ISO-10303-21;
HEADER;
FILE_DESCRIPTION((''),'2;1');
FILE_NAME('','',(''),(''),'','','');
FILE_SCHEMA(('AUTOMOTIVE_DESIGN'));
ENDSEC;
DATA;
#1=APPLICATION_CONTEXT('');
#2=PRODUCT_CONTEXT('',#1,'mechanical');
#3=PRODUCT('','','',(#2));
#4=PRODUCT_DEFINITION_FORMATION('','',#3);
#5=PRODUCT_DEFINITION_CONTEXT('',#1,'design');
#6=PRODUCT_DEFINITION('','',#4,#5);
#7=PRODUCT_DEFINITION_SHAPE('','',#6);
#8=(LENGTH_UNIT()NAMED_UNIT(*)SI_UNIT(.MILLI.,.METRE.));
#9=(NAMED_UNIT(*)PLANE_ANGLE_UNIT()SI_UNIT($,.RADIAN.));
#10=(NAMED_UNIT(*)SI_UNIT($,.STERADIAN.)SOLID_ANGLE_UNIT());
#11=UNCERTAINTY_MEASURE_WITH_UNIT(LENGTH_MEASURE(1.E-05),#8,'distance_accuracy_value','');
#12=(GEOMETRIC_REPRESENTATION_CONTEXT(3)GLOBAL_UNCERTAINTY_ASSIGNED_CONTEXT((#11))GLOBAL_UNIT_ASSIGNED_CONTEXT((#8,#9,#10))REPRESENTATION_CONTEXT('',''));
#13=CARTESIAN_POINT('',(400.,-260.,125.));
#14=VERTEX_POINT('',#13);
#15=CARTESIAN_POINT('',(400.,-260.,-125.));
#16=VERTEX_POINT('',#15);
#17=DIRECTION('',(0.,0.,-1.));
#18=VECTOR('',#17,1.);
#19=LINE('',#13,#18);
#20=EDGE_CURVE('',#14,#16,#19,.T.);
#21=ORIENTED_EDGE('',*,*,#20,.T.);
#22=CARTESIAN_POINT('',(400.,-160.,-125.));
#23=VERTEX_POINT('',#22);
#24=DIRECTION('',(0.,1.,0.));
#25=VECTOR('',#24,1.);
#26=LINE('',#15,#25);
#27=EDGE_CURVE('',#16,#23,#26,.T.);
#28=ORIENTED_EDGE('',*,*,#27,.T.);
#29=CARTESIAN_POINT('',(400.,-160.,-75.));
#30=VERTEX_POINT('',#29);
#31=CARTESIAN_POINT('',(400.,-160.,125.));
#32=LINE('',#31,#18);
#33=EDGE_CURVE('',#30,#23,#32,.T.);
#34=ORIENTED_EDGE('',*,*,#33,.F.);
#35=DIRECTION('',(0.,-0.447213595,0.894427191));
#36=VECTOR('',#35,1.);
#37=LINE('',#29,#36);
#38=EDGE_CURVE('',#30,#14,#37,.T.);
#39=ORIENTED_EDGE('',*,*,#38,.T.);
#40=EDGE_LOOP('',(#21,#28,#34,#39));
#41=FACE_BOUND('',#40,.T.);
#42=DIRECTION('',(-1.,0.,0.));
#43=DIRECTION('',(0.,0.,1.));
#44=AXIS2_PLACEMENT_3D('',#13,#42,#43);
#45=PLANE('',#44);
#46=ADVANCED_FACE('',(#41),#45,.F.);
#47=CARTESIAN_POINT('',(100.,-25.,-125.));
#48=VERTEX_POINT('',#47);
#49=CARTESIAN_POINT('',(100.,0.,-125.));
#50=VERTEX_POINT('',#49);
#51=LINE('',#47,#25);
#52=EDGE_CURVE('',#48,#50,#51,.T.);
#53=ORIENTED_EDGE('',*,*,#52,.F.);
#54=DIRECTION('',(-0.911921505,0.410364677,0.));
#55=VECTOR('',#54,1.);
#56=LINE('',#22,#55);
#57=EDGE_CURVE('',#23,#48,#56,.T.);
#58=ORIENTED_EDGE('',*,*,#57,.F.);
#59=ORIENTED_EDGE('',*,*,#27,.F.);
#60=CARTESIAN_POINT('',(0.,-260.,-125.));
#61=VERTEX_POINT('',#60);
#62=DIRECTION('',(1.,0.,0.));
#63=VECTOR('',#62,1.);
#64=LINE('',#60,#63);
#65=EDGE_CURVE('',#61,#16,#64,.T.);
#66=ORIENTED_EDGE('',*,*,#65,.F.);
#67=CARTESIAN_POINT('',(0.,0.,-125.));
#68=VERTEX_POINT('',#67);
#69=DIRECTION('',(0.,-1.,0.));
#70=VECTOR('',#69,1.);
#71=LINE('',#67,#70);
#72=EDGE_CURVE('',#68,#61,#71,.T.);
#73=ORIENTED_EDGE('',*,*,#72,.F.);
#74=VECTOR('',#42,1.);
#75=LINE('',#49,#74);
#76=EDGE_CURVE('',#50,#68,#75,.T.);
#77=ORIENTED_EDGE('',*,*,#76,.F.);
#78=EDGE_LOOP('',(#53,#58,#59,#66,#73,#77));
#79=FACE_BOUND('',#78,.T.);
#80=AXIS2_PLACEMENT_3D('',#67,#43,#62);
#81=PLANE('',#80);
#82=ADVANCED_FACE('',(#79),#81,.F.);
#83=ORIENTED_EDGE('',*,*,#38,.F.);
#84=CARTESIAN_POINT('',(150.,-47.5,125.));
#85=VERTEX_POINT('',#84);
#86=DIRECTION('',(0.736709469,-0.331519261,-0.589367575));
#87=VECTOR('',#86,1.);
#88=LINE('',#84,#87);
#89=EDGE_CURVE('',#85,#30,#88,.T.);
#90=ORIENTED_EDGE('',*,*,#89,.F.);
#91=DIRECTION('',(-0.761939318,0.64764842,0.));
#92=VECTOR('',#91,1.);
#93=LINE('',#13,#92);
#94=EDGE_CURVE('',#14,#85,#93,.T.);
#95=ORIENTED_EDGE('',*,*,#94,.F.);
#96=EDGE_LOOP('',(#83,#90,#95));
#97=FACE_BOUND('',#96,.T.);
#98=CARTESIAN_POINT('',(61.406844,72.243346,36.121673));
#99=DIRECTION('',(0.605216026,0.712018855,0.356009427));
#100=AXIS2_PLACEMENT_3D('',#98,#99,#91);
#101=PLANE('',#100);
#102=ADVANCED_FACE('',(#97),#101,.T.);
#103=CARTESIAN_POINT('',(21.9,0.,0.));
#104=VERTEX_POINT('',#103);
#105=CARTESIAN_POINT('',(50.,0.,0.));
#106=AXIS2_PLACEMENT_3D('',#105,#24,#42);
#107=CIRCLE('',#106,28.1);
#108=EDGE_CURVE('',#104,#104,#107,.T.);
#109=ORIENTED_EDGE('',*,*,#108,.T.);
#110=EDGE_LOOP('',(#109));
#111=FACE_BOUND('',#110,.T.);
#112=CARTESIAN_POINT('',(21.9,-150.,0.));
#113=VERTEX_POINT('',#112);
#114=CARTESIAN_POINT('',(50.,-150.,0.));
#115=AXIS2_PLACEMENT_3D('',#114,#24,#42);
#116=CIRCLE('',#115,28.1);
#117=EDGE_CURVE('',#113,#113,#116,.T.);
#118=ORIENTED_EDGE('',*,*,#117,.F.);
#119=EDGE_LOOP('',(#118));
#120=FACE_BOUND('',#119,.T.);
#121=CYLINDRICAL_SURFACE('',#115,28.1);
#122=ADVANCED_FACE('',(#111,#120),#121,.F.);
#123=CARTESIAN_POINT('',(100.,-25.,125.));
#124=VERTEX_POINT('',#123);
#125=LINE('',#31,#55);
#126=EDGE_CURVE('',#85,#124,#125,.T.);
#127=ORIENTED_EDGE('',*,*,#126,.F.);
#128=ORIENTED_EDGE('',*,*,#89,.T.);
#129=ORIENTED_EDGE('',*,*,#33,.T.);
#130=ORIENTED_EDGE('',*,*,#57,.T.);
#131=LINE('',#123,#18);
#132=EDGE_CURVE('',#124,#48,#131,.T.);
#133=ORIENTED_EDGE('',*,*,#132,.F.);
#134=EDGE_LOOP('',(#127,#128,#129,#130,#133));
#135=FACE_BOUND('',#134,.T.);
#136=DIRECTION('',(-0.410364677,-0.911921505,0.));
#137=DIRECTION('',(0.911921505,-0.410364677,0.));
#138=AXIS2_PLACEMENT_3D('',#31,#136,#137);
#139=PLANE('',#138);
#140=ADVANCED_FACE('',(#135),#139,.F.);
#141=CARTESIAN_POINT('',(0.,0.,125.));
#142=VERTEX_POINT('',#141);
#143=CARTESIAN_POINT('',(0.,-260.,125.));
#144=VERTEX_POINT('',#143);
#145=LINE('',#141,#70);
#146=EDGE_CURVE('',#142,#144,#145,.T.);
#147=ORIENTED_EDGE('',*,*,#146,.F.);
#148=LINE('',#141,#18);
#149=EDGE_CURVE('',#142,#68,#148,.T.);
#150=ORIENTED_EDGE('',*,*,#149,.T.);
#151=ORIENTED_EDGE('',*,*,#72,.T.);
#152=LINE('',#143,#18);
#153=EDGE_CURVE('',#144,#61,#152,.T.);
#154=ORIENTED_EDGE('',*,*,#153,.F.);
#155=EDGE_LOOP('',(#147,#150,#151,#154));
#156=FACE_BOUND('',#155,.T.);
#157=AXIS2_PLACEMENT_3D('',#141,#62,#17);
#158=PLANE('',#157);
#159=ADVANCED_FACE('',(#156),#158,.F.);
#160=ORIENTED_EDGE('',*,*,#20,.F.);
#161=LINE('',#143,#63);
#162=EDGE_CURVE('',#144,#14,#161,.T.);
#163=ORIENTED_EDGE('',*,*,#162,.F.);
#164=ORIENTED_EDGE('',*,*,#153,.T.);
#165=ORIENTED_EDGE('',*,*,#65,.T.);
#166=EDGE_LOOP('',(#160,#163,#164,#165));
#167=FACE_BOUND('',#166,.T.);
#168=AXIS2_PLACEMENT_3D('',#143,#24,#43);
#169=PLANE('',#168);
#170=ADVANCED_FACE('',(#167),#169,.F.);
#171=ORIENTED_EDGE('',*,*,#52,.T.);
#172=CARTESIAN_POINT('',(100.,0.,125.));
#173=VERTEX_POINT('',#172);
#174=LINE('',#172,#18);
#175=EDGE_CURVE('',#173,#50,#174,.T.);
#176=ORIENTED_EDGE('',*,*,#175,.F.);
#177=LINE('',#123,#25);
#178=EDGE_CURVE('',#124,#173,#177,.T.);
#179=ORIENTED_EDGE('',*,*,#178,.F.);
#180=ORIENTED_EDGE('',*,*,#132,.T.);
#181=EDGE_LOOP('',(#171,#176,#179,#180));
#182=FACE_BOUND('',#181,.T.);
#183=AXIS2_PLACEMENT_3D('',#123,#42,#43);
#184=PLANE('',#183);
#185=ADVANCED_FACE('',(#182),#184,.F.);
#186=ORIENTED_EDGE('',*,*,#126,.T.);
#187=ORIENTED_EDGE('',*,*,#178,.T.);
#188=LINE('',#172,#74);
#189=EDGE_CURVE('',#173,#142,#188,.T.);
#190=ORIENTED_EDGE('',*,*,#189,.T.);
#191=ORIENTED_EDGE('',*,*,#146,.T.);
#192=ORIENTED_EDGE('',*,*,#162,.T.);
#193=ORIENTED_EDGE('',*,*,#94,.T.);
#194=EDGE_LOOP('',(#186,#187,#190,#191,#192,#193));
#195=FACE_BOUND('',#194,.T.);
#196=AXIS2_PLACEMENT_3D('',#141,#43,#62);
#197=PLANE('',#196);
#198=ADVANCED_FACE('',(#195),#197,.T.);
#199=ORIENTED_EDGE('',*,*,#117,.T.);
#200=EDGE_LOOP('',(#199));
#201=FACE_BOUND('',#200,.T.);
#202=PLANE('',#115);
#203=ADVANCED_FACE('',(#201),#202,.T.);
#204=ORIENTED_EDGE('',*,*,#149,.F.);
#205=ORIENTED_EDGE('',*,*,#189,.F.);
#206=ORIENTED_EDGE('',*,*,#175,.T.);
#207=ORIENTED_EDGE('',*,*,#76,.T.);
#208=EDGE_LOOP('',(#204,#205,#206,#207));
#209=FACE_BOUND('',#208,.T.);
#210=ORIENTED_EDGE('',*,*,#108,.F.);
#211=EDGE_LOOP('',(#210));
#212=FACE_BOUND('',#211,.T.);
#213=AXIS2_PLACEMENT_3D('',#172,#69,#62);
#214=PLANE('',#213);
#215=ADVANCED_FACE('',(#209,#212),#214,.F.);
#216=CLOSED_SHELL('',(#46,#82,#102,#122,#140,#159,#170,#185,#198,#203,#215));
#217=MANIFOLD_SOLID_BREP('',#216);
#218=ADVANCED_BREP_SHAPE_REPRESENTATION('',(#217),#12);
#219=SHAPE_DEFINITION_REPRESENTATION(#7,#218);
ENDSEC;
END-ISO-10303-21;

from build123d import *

# Parameters (mm, degrees)
BOSS_EXTRUDE1_DEPTH = 125
CUT_EXTRUDE1_DEPTH  = 250
SKETCH2_R           = 28.1
CUT_EXTRUDE2_DEPTH  = 150


with BuildPart() as part:
    # Sketch1 → Boss-Extrude1 (new, symmetric)
    with BuildSketch(Plane.XY):
        Polygon((0, 0), (0, -260), (400, -260), (400, -160), (100, -25), (100, 0), align=None)
    extrude(amount=BOSS_EXTRUDE1_DEPTH, both=True)

    # 3DSketch1 → Cut-Extrude1 (cut, along a direction that is not the sketch's normal)
    with BuildSketch(Plane(origin=(150, -47.5, 125), x_dir=(0.7367094686837573, -0.3315192609076908, -0.5893675749470058), z_dir=(-0.6052160263325688, -0.7120188545089043, -0.3560094272544522))):
        Polygon((0, 0), (339.346799012, 0), (254.625210114, 206.935382123), align=None)
    extrude(amount=-CUT_EXTRUDE1_DEPTH, dir=(0, -1, 0), mode=Mode.SUBTRACT)

    # Sketch2 → Cut-Extrude2 (cut)
    with BuildSketch(Plane(origin=(0, 0, 0), x_dir=(1, 0, 0), z_dir=(0, 1, 0))):
        with Locations(Location((50, 0, 0), (0, 0, 180))):
            Circle(SKETCH2_R)
    extrude(amount=-CUT_EXTRUDE2_DEPTH, mode=Mode.SUBTRACT)


solid = part.part
